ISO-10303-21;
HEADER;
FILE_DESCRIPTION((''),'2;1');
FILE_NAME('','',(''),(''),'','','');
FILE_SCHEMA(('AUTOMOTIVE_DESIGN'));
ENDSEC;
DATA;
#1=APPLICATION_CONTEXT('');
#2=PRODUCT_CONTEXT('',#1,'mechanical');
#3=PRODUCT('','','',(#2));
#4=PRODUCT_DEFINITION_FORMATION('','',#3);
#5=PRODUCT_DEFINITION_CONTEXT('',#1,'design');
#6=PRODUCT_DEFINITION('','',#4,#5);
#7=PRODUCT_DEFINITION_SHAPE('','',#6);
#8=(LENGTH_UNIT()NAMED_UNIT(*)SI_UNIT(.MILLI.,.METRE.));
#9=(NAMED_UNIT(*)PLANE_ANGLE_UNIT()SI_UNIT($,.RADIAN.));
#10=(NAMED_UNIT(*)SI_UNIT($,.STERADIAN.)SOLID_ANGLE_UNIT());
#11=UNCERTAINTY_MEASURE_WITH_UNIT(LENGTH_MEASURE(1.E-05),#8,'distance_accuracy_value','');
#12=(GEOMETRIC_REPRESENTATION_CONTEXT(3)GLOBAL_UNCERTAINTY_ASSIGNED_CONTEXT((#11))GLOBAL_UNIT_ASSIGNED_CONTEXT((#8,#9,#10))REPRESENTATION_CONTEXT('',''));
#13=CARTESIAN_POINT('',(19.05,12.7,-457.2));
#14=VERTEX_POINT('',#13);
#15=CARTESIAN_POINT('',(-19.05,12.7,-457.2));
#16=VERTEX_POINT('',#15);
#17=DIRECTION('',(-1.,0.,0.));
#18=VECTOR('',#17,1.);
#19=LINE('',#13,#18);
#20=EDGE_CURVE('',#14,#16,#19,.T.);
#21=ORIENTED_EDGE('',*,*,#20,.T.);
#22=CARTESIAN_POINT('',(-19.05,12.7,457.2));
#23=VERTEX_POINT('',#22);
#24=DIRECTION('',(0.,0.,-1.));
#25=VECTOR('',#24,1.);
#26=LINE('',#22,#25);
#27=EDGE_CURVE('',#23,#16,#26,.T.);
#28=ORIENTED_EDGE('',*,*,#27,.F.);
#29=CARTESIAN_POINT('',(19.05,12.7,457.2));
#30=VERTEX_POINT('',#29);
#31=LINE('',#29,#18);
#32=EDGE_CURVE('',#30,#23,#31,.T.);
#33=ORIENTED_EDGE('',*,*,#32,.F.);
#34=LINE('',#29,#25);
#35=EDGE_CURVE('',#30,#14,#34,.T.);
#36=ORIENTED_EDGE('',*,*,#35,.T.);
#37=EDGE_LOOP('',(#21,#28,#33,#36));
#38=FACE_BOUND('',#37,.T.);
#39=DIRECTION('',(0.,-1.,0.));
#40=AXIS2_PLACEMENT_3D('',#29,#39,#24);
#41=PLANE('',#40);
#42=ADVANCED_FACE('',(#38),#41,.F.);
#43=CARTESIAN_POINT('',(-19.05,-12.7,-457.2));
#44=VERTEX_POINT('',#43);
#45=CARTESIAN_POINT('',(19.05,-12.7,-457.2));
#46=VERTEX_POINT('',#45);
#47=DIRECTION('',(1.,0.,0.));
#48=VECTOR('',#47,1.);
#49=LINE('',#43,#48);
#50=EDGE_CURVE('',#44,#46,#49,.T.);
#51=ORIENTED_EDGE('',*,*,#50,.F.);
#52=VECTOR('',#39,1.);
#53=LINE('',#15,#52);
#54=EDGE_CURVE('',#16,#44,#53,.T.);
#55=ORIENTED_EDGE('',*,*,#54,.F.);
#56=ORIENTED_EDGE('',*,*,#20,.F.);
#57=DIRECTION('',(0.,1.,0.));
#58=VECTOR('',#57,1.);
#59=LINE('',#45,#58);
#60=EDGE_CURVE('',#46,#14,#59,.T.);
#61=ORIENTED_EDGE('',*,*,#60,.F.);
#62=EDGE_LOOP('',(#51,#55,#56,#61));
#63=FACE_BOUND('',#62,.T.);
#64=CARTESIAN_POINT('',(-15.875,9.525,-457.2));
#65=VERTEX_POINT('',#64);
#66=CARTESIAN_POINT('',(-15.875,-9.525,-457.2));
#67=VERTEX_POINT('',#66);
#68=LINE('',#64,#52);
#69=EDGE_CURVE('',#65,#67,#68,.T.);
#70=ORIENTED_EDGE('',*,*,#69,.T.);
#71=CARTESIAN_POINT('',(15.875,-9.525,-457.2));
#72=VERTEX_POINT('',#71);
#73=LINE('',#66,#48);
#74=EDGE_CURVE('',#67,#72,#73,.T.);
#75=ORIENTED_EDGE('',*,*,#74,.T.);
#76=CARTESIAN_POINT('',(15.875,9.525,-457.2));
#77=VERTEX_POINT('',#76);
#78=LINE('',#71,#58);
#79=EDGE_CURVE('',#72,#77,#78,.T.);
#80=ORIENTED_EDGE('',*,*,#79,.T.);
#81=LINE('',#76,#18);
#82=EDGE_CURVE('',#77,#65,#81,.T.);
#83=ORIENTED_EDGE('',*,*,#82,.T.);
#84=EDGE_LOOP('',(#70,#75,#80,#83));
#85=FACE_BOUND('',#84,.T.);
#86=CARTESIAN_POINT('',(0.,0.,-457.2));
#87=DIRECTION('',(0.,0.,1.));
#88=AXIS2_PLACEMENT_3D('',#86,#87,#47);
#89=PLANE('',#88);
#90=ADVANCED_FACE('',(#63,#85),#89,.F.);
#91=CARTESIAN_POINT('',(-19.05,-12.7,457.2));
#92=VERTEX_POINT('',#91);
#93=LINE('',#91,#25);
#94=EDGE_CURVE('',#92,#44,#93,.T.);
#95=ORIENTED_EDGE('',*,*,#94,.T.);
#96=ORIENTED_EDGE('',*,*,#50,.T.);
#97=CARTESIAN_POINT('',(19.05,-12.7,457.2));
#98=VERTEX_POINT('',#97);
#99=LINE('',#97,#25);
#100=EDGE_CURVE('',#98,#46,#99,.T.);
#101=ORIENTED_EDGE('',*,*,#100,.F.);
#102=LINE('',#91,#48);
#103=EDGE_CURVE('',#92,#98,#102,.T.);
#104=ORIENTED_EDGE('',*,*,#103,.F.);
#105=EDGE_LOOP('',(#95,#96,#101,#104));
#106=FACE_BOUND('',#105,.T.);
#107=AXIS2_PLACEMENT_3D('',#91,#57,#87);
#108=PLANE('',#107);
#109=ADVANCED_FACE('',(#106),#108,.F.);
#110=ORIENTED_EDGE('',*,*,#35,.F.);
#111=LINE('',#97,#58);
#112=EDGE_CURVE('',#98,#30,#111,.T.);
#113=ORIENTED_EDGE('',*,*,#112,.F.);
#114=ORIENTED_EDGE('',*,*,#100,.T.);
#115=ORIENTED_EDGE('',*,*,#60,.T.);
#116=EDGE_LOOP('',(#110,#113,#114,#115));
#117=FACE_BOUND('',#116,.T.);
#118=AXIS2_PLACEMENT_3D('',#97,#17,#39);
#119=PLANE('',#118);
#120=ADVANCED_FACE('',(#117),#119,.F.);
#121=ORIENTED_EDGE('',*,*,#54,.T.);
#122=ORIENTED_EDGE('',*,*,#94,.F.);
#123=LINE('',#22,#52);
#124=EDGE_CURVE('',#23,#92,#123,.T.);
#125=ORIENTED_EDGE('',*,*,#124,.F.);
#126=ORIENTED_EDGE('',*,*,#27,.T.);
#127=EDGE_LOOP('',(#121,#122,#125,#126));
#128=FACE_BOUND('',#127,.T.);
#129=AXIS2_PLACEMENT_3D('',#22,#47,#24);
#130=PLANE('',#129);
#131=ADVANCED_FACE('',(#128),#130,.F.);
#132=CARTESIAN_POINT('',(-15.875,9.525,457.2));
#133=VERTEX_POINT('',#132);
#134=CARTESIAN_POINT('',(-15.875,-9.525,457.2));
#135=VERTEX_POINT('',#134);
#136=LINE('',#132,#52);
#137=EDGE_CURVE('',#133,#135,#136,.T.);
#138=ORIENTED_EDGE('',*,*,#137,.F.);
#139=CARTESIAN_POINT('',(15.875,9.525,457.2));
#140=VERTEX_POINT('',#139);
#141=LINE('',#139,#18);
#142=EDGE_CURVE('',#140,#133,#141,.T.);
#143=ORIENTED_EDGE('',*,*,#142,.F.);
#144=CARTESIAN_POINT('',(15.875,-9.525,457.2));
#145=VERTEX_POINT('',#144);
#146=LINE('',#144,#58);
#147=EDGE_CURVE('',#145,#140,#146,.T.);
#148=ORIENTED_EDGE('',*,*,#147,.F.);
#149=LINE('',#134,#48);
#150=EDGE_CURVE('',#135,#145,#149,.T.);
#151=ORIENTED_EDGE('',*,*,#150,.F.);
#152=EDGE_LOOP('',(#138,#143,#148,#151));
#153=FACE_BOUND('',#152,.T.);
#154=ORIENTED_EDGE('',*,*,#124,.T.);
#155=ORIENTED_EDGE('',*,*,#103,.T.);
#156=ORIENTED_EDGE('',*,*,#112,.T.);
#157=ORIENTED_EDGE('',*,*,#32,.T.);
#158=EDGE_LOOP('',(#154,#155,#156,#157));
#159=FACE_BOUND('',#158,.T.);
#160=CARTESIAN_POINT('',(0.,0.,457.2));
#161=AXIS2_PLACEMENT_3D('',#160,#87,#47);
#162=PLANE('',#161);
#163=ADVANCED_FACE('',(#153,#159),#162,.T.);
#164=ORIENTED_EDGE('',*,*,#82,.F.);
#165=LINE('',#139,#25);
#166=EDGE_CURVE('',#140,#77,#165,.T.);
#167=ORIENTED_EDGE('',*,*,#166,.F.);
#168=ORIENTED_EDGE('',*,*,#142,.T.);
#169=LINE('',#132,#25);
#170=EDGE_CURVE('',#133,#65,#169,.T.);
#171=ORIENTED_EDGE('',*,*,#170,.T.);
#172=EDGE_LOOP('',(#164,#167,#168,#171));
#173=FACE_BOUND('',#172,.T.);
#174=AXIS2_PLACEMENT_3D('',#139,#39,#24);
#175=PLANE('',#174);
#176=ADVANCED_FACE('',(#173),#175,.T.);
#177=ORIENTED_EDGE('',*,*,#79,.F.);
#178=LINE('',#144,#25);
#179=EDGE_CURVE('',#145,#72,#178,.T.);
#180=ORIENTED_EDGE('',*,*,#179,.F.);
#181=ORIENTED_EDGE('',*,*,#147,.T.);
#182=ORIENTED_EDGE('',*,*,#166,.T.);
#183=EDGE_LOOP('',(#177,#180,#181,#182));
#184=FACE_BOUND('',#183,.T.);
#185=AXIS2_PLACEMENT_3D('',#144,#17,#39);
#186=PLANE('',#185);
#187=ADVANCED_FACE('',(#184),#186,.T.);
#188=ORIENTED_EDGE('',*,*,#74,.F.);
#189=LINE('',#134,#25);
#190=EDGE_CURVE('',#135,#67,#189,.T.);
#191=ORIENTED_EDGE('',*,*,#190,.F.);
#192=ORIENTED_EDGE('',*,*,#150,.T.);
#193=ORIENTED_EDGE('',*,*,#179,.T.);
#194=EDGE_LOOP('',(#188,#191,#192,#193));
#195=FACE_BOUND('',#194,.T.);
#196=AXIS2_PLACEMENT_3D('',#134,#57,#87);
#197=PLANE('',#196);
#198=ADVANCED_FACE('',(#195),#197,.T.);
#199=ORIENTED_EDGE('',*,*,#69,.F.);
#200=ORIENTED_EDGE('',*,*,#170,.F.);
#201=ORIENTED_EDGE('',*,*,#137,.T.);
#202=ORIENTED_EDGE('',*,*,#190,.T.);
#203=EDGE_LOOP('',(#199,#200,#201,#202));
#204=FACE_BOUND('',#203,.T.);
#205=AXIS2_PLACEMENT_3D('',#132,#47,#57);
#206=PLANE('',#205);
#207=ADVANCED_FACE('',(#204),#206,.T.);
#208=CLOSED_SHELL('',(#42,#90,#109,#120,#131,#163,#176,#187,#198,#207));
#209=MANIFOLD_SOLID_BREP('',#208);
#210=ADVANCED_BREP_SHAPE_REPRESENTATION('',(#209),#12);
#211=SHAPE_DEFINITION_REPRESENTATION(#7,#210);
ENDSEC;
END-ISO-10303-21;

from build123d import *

# Parameters (mm, degrees)
BOSS_EXTRUDE1_DEPTH      = 457.2
BOSS_EXTRUDE1_DEPTH_BACK = 457.2
SKETCH3_W                = 38.1
SKETCH3_H                = 25.4
SKETCH3_W_2              = 31.75
SKETCH3_H_2              = 19.05


with BuildPart() as part:
    # Sketch3 → Boss-Extrude1 (new, two sides: drawn at the far end of the back side and taken through both)
    with BuildSketch(Plane.XY.offset(-BOSS_EXTRUDE1_DEPTH_BACK)):
        Rectangle(SKETCH3_W, SKETCH3_H)
        Rectangle(SKETCH3_W_2, SKETCH3_H_2, mode=Mode.SUBTRACT)
    extrude(amount=BOSS_EXTRUDE1_DEPTH + BOSS_EXTRUDE1_DEPTH_BACK)


solid = part.part
